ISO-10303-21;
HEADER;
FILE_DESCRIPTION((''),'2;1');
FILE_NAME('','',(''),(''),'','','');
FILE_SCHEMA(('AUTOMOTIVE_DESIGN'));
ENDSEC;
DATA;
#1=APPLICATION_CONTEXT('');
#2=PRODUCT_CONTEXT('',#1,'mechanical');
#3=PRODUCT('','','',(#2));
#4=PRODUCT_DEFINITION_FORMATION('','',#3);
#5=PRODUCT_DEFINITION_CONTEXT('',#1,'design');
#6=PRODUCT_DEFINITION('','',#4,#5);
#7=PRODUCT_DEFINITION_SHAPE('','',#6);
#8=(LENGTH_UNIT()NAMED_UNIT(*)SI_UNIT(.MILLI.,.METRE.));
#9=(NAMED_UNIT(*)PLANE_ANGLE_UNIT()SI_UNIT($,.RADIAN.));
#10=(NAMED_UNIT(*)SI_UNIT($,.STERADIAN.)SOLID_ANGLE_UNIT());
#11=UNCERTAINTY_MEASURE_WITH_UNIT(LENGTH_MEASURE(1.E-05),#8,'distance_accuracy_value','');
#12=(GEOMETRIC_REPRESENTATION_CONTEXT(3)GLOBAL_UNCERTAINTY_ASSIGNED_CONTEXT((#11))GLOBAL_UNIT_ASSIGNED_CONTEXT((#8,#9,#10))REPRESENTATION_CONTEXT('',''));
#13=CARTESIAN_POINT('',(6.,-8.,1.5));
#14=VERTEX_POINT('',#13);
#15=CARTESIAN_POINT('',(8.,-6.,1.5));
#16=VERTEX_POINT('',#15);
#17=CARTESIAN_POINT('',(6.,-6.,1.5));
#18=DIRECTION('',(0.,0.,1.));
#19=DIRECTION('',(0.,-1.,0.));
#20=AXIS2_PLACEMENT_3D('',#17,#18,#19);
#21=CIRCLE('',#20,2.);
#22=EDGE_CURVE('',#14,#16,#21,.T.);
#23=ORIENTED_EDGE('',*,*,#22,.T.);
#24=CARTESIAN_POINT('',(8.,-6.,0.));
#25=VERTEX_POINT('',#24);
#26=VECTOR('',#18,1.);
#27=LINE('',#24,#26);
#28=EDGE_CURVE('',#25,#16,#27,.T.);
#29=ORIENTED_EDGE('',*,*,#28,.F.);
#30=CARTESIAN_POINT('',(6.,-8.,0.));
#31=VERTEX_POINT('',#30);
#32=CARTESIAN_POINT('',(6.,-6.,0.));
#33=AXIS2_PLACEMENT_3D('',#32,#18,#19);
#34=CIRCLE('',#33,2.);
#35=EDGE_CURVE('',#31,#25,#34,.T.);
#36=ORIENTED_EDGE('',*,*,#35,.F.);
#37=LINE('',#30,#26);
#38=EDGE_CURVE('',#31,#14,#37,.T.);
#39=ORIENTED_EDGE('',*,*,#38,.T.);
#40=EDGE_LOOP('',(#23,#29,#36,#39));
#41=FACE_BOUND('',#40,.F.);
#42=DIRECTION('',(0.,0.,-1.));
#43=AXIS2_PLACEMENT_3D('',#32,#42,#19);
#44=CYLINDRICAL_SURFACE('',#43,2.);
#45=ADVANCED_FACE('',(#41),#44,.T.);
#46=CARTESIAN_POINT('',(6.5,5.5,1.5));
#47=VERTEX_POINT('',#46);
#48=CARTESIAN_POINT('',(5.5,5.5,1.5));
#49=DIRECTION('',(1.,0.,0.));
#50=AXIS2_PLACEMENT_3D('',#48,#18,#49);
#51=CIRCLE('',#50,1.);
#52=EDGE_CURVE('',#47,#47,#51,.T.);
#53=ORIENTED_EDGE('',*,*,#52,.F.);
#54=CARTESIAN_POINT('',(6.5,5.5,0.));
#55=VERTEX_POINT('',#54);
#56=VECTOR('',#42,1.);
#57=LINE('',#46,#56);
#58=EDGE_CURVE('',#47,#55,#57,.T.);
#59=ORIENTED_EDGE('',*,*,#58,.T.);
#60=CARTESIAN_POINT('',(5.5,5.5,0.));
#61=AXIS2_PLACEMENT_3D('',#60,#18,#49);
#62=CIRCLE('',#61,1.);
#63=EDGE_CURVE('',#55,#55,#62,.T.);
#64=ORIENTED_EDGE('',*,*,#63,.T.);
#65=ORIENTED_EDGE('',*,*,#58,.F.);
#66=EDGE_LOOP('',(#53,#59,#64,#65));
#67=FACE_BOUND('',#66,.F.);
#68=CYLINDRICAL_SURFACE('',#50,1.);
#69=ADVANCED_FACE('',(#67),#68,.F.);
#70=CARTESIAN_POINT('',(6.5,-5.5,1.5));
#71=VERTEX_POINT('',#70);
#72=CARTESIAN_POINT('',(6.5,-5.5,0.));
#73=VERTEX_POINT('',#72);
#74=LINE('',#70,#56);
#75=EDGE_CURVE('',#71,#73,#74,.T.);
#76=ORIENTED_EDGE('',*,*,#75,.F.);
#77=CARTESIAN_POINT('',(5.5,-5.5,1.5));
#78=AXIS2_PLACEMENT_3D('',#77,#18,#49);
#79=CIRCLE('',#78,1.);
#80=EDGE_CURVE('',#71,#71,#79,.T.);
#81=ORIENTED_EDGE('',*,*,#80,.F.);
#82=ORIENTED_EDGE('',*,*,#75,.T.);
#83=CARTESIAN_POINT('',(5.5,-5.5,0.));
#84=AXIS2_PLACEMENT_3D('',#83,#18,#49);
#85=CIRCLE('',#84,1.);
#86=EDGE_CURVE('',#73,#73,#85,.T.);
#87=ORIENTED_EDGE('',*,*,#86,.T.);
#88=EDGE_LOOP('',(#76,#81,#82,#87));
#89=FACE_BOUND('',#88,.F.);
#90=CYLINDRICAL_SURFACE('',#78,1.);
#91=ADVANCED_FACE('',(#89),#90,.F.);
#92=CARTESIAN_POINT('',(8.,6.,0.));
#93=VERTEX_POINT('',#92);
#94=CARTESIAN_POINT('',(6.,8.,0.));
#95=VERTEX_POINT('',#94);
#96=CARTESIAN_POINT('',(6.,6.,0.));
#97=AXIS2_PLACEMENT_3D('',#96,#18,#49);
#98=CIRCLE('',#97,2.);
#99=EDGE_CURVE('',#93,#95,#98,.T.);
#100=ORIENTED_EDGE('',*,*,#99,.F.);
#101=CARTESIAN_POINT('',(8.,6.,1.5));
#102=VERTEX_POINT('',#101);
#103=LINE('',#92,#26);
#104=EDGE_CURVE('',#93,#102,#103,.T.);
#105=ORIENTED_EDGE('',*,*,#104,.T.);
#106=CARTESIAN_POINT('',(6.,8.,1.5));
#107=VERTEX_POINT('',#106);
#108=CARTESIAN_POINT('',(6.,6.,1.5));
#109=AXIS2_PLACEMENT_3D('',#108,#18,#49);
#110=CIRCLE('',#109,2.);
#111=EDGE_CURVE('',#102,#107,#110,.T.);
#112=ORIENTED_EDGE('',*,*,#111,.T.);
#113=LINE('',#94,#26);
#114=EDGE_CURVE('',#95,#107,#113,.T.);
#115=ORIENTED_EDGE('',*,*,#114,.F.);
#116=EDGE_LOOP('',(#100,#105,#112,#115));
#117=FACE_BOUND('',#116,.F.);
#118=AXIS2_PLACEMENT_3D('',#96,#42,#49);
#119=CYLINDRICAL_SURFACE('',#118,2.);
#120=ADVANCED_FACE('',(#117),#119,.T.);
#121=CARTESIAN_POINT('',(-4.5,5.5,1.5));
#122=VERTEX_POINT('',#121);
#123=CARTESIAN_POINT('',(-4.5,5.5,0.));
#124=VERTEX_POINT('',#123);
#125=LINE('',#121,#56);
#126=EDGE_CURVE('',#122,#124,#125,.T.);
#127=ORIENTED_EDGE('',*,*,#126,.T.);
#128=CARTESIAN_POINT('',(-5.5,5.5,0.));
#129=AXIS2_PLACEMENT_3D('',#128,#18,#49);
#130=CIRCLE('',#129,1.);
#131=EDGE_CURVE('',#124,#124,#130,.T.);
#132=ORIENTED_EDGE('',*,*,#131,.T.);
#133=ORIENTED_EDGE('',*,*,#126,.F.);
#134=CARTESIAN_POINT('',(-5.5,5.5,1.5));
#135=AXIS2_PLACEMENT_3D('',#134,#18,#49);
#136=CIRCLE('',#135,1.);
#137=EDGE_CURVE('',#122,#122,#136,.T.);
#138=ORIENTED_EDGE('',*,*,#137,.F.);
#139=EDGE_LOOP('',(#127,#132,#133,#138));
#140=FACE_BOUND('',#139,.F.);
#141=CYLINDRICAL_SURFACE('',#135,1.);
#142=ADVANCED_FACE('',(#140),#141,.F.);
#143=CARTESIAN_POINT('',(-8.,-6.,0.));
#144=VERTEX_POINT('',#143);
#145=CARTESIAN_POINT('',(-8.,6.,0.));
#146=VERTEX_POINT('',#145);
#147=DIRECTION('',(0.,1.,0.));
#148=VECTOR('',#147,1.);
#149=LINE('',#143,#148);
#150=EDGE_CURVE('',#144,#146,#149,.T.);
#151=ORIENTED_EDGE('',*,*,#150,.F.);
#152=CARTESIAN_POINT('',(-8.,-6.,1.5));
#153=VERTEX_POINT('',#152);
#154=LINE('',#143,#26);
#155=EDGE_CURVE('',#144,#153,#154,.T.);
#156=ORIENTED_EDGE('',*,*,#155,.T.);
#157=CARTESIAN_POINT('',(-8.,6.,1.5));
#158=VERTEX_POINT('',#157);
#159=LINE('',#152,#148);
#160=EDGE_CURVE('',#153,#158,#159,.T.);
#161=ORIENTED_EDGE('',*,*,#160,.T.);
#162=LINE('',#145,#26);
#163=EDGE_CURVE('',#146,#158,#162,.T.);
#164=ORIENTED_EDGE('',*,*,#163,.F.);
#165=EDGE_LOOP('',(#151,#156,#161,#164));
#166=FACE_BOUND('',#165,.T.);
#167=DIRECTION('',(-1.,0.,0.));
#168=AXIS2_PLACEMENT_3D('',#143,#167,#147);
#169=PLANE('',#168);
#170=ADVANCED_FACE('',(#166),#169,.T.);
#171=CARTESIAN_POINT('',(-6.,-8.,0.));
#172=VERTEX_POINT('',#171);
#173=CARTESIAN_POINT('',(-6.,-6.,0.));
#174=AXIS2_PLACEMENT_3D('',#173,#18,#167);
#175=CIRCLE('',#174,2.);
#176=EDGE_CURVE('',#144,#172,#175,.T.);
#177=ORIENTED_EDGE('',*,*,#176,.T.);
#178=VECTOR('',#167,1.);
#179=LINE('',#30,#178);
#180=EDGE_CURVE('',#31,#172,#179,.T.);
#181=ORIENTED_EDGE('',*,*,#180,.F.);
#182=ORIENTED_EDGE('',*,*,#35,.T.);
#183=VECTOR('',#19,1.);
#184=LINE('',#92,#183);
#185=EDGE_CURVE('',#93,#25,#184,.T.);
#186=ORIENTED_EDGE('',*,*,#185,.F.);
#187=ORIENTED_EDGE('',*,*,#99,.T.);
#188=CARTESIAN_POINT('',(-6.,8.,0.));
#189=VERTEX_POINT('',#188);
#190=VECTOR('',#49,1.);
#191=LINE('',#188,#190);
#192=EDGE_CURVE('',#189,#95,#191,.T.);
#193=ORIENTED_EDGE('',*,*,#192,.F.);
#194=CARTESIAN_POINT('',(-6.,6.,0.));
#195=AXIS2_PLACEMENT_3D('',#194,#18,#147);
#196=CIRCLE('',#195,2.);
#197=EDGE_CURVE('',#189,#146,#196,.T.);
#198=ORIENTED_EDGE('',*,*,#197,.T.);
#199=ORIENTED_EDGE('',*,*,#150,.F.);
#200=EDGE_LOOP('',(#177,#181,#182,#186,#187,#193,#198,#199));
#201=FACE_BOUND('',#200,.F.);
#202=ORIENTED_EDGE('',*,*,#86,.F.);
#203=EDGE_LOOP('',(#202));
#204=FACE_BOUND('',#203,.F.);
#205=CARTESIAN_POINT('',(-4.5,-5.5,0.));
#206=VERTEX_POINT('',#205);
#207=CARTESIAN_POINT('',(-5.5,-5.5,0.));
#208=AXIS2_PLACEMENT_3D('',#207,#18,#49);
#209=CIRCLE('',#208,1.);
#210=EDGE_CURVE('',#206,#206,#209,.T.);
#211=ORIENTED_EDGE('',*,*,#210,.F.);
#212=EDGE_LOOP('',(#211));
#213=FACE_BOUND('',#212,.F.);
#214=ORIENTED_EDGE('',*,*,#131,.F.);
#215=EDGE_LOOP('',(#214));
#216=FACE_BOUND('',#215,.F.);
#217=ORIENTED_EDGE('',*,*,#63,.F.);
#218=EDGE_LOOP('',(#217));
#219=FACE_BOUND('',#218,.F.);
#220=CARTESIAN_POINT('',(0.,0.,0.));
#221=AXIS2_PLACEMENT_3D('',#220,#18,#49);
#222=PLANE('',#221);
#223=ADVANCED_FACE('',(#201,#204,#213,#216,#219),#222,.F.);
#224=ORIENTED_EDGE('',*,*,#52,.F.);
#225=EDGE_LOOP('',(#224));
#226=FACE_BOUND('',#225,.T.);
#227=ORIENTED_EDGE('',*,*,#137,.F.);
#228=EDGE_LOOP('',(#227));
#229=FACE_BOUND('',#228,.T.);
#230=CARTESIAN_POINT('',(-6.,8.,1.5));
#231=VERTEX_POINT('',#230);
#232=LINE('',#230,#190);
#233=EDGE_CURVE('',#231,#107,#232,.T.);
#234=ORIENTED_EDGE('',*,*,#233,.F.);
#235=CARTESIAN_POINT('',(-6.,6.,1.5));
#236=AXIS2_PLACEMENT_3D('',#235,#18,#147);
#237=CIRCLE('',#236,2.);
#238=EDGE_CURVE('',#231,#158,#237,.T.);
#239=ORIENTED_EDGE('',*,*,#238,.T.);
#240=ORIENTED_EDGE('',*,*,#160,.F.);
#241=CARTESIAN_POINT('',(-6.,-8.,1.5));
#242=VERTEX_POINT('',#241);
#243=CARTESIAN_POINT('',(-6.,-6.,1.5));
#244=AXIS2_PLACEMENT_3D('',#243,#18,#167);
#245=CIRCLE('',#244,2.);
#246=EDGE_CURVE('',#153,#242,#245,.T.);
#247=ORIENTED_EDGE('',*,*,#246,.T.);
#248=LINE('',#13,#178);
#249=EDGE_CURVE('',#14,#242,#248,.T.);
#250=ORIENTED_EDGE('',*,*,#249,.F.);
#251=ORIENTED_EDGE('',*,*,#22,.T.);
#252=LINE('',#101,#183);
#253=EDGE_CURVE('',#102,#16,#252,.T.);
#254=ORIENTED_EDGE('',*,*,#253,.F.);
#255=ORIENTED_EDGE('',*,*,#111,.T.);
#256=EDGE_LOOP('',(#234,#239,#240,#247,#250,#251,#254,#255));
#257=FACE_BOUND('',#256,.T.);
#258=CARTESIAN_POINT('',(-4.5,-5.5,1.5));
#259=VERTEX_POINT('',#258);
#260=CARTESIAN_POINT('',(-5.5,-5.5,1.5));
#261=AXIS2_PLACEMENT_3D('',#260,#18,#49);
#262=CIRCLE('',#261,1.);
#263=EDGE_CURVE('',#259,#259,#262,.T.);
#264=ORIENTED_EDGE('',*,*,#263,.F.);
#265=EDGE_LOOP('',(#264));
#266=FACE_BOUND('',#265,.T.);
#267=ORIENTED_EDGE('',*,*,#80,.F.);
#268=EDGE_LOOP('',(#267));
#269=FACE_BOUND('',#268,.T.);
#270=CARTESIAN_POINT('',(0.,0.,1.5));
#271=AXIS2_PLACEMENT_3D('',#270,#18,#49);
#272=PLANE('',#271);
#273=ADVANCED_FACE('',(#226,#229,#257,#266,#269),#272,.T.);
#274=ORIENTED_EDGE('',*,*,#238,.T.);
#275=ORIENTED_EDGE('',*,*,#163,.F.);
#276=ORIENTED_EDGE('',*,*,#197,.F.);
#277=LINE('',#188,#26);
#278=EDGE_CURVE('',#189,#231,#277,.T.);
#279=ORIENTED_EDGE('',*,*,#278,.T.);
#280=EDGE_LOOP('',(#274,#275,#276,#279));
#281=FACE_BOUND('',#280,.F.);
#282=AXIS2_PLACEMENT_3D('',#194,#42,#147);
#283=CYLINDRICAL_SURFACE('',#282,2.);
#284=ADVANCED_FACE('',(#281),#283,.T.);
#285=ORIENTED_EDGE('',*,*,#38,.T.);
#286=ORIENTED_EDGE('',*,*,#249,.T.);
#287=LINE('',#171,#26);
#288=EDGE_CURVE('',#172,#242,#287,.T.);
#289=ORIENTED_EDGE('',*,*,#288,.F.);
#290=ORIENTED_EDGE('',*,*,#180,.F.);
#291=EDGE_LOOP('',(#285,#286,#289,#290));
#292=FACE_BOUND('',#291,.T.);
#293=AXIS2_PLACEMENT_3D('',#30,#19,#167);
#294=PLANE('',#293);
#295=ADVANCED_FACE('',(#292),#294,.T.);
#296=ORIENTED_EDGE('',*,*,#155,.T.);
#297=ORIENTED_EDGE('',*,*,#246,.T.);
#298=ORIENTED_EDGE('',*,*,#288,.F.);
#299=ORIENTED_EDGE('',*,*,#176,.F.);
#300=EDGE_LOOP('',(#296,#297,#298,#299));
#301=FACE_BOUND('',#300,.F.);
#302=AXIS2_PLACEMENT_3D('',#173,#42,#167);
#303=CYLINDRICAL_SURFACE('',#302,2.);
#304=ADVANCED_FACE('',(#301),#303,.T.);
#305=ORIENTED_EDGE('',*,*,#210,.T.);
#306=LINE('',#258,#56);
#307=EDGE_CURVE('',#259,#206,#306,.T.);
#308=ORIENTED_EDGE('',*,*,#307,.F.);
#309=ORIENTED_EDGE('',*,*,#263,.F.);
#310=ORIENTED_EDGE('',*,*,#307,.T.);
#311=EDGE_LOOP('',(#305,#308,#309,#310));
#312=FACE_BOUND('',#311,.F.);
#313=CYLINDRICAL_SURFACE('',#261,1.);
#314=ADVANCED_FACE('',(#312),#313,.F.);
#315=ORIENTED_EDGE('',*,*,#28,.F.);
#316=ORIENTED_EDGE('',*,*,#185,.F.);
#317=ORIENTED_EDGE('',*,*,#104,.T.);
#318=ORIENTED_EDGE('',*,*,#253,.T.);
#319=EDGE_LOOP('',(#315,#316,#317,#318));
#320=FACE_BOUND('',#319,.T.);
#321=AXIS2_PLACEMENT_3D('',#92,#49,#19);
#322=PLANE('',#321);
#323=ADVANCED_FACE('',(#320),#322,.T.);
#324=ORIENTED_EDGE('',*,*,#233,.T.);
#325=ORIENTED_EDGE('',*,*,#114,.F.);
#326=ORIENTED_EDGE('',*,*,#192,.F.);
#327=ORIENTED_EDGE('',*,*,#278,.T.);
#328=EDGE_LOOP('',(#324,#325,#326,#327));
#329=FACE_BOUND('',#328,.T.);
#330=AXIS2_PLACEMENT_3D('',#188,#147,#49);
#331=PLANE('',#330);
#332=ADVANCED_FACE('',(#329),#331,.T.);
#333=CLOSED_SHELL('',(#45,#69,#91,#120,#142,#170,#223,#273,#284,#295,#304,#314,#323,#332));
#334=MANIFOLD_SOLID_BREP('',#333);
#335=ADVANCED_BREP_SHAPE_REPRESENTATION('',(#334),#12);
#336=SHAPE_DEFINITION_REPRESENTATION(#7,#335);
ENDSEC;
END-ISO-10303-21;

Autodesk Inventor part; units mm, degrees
ref_plane "YZ Plane" through (0, 0, 0) normal (1, 0, 0) x (0, 1, 0)
ref_plane "XZ Plane" through (0, 0, 0) normal (0, 1, 0) x (-1, 0, 0)
ref_plane "XY Plane" through (0, 0, 0) normal (0, 0, 1) x (1, 0, 0)
sketch "Sketch1" plane through (0, 0, 0) normal (0, 0, 1) x (1, 0, 0)
  line L0 (-6, 8) -> (6, 8)
  line L1 (8, 6) -> (8, -6)
  line L2 (6, -8) -> (-6, -8)
  line L3 (-8, -6) -> (-8, 6)
  line L4 (-8, 8) -> (8, -8) construction
  line L5 (8, 8) -> (-8, -8) construction
  arc A0 (-6, 8) -> (-8, 6) centre (-6, 6) ccw
  arc A1 (-8, -6) -> (-6, -8) centre (-6, -6) ccw
  arc A2 (6, -8) -> (8, -6) centre (6, -6) ccw
  arc A3 (8, 6) -> (6, 8) centre (6, 6) ccw
  point P0 (0, 0)
  dimension "d0" = 16
  dimension "d1" = 16
  dimension "d2" = 2
extrude "Extrusion1" add sketch "Sketch1" along normal blind 1.5
sketch "Sketch2" plane through (0, 0, 1.5) normal (0, 0, 1) x (1, 0, 0)
  line L0 (-6, -8) -> (6, -8) projected
  line L1 (8, -6) -> (8, 6) projected
  line L2 (6, 8) -> (-6, 8) projected
  line L3 (-8, 6) -> (-8, -6) projected
  circle A0 centre (-5.5, 5.5) radius 1
  circle A1 centre (5.5, 5.5) radius 1
  circle A2 centre (5.5, -5.5) radius 1
  circle A3 centre (-5.5, -5.5) radius 1
  point P0 (0, 0)
  dimension "d5" = 2
  dimension "d6" = 2.5
  dimension "d7" = 2.5
  dimension "d8" = 2.5
  dimension "d9" = 2.5
extrude "Extrusion2" cut sketch "Sketch2" against normal through all
properties part number "12A VALVE BONNET" material "Steel AISI 1020 107 HR"
